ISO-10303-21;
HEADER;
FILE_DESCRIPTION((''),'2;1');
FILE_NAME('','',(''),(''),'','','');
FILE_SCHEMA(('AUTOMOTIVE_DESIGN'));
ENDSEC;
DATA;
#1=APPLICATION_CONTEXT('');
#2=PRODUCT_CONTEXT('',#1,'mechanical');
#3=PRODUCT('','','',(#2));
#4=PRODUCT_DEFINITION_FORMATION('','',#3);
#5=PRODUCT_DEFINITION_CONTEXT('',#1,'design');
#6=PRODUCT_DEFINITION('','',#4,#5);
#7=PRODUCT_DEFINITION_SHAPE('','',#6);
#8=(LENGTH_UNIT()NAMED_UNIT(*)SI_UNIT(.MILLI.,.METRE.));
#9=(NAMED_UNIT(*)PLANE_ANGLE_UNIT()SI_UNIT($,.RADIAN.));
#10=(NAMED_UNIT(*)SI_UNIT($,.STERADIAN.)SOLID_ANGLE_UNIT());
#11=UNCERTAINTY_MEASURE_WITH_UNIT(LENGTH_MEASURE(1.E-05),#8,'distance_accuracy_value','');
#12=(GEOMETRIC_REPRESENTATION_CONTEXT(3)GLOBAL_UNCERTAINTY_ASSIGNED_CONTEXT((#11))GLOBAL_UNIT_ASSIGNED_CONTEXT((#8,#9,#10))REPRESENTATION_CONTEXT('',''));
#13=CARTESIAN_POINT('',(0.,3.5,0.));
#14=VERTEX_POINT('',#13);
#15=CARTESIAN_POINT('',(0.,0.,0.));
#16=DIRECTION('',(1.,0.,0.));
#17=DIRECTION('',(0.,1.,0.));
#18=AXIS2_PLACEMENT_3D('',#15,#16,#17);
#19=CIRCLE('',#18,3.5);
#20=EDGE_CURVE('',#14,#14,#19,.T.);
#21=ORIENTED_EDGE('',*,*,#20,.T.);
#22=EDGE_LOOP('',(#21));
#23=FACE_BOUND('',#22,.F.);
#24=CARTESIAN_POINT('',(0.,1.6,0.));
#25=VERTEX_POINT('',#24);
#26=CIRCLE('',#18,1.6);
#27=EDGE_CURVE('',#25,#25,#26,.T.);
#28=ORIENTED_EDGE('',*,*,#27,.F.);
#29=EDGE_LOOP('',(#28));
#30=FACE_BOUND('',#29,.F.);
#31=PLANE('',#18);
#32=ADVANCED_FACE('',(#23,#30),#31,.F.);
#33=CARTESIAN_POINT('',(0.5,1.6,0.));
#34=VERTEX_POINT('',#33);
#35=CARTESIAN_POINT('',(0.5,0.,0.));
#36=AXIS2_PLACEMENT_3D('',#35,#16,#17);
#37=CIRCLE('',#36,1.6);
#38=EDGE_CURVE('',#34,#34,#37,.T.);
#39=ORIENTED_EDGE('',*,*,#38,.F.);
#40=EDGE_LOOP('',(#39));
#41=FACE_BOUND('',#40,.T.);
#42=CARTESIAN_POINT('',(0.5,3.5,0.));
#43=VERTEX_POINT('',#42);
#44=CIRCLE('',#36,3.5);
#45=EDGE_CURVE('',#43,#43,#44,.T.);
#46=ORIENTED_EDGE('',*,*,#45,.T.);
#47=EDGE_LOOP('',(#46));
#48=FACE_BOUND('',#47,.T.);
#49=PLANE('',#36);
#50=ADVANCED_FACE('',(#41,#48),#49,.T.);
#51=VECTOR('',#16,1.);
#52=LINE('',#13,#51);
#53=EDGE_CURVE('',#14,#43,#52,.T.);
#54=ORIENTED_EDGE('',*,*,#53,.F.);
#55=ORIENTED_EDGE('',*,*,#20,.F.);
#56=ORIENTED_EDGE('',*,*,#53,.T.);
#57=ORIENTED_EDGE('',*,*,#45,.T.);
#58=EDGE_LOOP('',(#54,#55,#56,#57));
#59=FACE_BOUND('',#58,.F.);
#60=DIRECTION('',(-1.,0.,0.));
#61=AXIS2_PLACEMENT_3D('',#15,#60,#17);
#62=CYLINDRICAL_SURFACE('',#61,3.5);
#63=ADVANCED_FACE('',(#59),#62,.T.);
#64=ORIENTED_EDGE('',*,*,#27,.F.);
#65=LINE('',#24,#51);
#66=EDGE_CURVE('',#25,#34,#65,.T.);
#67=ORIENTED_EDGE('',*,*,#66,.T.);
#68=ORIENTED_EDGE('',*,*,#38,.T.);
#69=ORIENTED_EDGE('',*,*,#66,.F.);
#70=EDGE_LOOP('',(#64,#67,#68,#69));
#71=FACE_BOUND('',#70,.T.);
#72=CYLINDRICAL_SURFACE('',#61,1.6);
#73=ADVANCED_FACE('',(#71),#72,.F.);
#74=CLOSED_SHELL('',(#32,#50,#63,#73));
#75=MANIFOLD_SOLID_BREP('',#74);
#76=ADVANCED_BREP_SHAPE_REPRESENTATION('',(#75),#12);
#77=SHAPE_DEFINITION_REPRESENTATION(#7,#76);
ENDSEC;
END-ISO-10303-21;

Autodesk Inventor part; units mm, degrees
ref_plane "YZ Plane" through (0, 0, 0) normal (1, 0, 0) x (0, 1, 0)
ref_plane "XZ Plane" through (0, 0, 0) normal (0, 1, 0) x (-1, 0, 0)
sketch "Sketch" plane through (0, 0, 0) normal (1, 0, 0) x (0, 1, 0)
  circle A0 centre (0, 0) radius 3.5
  circle A1 centre (0, 0) radius 1.6
  dimension "d0" = 3.2
  dimension "d1" = 7
extrude "Body" add sketch "Sketch" along normal blind 0.5
ref_plane "Work Plane1" through (0, 0, 0) normal (0, 0, 1) x (1, 0, 0)
equation "\"d0\" = SD1"
equation "\"d1\" = SD2"
equation "\"d2\" = SD"
equation "\"SD1\" = 3.2"
equation "\"SD2\" = 7"
equation "\"SD\" = 0.5"
equation "\"NND\" = 3"
properties part number "Plain washer GB/T 97.1 3" material "Steel, Mild"
